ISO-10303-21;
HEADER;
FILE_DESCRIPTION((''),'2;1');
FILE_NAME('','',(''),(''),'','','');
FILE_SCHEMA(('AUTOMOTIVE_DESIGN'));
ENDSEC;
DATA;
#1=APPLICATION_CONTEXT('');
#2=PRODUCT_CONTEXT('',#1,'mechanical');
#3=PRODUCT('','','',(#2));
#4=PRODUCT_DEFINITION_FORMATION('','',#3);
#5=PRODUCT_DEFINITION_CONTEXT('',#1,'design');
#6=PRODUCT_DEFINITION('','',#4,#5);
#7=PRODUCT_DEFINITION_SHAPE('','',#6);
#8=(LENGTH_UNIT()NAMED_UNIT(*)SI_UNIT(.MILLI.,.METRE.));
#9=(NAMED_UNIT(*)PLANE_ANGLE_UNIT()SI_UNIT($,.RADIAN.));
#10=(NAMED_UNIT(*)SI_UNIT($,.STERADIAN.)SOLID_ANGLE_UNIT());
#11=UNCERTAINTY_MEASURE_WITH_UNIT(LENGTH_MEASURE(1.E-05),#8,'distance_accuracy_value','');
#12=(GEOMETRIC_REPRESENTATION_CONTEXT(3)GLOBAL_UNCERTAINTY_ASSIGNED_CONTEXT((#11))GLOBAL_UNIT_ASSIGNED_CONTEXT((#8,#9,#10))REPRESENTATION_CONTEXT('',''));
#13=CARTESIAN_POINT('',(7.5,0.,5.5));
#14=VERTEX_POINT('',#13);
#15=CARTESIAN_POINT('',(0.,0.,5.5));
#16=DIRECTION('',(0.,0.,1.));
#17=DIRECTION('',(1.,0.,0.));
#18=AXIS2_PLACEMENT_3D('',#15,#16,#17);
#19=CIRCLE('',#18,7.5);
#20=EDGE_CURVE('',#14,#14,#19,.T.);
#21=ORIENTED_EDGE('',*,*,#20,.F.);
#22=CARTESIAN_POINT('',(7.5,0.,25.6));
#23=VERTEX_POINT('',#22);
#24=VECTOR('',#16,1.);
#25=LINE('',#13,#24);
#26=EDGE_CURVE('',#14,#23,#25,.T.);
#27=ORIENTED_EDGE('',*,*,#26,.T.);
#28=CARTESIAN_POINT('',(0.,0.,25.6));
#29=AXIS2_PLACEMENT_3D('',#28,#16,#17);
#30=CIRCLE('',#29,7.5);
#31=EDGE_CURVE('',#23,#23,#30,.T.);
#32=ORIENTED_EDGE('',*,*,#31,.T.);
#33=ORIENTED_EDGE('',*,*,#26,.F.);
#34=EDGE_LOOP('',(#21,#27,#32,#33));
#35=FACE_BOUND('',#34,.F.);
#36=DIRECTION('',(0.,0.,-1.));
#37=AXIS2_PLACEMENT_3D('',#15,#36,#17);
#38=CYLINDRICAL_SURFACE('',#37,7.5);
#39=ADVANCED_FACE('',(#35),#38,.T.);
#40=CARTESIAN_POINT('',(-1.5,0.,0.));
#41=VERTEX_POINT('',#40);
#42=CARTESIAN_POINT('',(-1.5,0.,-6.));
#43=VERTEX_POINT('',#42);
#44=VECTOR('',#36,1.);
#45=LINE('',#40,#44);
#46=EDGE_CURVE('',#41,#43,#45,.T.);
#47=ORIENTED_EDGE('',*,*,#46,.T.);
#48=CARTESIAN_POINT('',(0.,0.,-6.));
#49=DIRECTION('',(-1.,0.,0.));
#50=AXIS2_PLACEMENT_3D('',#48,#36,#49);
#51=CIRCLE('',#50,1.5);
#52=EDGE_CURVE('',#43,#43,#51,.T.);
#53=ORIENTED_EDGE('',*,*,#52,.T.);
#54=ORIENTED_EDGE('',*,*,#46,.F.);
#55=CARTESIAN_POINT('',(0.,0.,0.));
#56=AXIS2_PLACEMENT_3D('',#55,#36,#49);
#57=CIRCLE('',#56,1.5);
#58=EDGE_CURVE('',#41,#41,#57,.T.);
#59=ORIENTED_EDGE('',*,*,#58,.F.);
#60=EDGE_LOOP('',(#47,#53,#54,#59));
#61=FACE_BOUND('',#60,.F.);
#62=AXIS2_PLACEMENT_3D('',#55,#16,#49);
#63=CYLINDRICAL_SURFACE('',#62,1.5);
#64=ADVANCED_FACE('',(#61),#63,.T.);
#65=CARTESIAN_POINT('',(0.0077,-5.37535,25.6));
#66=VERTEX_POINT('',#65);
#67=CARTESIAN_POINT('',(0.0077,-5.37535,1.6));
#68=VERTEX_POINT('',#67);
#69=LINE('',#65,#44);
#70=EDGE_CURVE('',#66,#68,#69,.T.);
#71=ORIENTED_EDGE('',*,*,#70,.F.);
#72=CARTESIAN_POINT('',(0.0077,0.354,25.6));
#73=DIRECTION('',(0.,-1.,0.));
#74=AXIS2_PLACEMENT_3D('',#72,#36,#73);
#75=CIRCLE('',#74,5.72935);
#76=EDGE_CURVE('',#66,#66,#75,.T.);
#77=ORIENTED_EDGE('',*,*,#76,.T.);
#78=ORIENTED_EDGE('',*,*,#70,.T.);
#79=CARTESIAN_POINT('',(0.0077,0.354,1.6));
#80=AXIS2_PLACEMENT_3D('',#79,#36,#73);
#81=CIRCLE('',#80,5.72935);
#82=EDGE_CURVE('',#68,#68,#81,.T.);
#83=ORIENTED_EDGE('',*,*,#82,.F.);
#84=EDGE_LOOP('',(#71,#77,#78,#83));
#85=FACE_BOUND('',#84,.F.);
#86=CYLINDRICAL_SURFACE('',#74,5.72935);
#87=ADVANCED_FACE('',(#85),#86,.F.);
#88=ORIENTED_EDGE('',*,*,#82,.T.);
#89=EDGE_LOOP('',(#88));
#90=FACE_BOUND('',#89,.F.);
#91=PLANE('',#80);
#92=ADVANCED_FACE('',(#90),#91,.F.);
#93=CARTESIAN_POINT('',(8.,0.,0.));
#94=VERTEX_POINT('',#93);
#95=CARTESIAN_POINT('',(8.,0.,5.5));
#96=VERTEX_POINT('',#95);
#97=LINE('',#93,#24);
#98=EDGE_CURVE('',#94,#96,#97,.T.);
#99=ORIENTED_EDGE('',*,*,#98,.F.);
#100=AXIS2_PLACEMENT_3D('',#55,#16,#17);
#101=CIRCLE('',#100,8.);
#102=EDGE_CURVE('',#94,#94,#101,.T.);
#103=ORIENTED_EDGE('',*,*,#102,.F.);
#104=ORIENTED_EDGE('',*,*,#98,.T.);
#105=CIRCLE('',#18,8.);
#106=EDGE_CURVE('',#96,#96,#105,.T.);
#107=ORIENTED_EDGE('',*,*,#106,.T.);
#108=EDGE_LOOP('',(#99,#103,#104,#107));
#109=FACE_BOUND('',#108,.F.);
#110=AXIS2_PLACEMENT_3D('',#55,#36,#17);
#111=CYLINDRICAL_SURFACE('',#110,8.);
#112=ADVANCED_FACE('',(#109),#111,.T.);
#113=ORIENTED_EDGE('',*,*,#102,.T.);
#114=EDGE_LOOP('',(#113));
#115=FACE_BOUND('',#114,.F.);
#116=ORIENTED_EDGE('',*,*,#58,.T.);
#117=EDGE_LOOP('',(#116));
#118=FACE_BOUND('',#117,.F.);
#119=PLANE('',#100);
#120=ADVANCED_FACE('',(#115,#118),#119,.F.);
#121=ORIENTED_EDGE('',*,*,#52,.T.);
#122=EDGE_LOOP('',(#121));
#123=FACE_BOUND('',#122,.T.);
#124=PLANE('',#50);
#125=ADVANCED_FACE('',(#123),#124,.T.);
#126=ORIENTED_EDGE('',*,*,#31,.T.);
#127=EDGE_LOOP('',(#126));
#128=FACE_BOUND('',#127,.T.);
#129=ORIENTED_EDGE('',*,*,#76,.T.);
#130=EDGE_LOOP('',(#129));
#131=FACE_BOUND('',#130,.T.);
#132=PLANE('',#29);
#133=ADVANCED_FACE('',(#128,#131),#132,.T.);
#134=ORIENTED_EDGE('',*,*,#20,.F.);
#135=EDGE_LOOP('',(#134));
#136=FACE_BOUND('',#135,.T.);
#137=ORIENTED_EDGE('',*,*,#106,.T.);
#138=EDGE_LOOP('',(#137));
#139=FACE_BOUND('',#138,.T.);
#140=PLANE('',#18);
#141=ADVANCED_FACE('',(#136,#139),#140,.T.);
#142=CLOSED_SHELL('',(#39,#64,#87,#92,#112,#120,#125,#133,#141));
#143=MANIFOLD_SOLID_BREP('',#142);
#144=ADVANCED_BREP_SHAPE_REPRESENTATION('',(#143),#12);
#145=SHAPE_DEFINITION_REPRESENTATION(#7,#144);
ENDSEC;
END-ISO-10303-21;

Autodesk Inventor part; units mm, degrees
ref_plane "YZ Plane" through (0, 0, 0) normal (1, 0, 0) x (0, 1, 0)
ref_plane "XZ Plane" through (0, 0, 0) normal (0, 1, 0) x (-1, 0, 0)
ref_plane "XY Plane" through (0, 0, 0) normal (0, 0, 1) x (1, 0, 0)
sketch "Sketch1" plane through (0, 0, 0) normal (0, 0, 1) x (1, 0, 0)
  circle A0 centre (0, 0) radius 8
  dimension "d0" = 16
extrude "Extrusion1" add sketch "Sketch1" along normal blind 5.5
sketch "Sketch2" plane through (0, 0, 5.5) normal (0, 0, 1) x (1, 0, 0)
  circle A0 centre (0, 0) radius 7.5
  dimension "d3" = 15
extrude "Extrusion2" add sketch "Sketch2" along normal blind 20.1
sketch "Sketch3" plane through (0, 0, 0) normal (0, 0, -1) x (-1, 0, 0)
  circle A0 centre (0, 0) radius 1.5
  dimension "d6" = 3
extrude "Extrusion3" add sketch "Sketch3" along normal blind 6
sketch "Sketch4" plane through (0, 0, 25.6) normal (0, 0, 1) x (1, 0, 0)
  point P0 (0, 0)
  point P1 (0.0077, 0.354)
hole "Hole1" at (0.0077, 0.354, 25.6) direction (0, 0, -1) diameter 11.4587 depth 24 thread size "M12x0.5" class "6H" standard "ISO Metric profile"
properties part number "shaft"
